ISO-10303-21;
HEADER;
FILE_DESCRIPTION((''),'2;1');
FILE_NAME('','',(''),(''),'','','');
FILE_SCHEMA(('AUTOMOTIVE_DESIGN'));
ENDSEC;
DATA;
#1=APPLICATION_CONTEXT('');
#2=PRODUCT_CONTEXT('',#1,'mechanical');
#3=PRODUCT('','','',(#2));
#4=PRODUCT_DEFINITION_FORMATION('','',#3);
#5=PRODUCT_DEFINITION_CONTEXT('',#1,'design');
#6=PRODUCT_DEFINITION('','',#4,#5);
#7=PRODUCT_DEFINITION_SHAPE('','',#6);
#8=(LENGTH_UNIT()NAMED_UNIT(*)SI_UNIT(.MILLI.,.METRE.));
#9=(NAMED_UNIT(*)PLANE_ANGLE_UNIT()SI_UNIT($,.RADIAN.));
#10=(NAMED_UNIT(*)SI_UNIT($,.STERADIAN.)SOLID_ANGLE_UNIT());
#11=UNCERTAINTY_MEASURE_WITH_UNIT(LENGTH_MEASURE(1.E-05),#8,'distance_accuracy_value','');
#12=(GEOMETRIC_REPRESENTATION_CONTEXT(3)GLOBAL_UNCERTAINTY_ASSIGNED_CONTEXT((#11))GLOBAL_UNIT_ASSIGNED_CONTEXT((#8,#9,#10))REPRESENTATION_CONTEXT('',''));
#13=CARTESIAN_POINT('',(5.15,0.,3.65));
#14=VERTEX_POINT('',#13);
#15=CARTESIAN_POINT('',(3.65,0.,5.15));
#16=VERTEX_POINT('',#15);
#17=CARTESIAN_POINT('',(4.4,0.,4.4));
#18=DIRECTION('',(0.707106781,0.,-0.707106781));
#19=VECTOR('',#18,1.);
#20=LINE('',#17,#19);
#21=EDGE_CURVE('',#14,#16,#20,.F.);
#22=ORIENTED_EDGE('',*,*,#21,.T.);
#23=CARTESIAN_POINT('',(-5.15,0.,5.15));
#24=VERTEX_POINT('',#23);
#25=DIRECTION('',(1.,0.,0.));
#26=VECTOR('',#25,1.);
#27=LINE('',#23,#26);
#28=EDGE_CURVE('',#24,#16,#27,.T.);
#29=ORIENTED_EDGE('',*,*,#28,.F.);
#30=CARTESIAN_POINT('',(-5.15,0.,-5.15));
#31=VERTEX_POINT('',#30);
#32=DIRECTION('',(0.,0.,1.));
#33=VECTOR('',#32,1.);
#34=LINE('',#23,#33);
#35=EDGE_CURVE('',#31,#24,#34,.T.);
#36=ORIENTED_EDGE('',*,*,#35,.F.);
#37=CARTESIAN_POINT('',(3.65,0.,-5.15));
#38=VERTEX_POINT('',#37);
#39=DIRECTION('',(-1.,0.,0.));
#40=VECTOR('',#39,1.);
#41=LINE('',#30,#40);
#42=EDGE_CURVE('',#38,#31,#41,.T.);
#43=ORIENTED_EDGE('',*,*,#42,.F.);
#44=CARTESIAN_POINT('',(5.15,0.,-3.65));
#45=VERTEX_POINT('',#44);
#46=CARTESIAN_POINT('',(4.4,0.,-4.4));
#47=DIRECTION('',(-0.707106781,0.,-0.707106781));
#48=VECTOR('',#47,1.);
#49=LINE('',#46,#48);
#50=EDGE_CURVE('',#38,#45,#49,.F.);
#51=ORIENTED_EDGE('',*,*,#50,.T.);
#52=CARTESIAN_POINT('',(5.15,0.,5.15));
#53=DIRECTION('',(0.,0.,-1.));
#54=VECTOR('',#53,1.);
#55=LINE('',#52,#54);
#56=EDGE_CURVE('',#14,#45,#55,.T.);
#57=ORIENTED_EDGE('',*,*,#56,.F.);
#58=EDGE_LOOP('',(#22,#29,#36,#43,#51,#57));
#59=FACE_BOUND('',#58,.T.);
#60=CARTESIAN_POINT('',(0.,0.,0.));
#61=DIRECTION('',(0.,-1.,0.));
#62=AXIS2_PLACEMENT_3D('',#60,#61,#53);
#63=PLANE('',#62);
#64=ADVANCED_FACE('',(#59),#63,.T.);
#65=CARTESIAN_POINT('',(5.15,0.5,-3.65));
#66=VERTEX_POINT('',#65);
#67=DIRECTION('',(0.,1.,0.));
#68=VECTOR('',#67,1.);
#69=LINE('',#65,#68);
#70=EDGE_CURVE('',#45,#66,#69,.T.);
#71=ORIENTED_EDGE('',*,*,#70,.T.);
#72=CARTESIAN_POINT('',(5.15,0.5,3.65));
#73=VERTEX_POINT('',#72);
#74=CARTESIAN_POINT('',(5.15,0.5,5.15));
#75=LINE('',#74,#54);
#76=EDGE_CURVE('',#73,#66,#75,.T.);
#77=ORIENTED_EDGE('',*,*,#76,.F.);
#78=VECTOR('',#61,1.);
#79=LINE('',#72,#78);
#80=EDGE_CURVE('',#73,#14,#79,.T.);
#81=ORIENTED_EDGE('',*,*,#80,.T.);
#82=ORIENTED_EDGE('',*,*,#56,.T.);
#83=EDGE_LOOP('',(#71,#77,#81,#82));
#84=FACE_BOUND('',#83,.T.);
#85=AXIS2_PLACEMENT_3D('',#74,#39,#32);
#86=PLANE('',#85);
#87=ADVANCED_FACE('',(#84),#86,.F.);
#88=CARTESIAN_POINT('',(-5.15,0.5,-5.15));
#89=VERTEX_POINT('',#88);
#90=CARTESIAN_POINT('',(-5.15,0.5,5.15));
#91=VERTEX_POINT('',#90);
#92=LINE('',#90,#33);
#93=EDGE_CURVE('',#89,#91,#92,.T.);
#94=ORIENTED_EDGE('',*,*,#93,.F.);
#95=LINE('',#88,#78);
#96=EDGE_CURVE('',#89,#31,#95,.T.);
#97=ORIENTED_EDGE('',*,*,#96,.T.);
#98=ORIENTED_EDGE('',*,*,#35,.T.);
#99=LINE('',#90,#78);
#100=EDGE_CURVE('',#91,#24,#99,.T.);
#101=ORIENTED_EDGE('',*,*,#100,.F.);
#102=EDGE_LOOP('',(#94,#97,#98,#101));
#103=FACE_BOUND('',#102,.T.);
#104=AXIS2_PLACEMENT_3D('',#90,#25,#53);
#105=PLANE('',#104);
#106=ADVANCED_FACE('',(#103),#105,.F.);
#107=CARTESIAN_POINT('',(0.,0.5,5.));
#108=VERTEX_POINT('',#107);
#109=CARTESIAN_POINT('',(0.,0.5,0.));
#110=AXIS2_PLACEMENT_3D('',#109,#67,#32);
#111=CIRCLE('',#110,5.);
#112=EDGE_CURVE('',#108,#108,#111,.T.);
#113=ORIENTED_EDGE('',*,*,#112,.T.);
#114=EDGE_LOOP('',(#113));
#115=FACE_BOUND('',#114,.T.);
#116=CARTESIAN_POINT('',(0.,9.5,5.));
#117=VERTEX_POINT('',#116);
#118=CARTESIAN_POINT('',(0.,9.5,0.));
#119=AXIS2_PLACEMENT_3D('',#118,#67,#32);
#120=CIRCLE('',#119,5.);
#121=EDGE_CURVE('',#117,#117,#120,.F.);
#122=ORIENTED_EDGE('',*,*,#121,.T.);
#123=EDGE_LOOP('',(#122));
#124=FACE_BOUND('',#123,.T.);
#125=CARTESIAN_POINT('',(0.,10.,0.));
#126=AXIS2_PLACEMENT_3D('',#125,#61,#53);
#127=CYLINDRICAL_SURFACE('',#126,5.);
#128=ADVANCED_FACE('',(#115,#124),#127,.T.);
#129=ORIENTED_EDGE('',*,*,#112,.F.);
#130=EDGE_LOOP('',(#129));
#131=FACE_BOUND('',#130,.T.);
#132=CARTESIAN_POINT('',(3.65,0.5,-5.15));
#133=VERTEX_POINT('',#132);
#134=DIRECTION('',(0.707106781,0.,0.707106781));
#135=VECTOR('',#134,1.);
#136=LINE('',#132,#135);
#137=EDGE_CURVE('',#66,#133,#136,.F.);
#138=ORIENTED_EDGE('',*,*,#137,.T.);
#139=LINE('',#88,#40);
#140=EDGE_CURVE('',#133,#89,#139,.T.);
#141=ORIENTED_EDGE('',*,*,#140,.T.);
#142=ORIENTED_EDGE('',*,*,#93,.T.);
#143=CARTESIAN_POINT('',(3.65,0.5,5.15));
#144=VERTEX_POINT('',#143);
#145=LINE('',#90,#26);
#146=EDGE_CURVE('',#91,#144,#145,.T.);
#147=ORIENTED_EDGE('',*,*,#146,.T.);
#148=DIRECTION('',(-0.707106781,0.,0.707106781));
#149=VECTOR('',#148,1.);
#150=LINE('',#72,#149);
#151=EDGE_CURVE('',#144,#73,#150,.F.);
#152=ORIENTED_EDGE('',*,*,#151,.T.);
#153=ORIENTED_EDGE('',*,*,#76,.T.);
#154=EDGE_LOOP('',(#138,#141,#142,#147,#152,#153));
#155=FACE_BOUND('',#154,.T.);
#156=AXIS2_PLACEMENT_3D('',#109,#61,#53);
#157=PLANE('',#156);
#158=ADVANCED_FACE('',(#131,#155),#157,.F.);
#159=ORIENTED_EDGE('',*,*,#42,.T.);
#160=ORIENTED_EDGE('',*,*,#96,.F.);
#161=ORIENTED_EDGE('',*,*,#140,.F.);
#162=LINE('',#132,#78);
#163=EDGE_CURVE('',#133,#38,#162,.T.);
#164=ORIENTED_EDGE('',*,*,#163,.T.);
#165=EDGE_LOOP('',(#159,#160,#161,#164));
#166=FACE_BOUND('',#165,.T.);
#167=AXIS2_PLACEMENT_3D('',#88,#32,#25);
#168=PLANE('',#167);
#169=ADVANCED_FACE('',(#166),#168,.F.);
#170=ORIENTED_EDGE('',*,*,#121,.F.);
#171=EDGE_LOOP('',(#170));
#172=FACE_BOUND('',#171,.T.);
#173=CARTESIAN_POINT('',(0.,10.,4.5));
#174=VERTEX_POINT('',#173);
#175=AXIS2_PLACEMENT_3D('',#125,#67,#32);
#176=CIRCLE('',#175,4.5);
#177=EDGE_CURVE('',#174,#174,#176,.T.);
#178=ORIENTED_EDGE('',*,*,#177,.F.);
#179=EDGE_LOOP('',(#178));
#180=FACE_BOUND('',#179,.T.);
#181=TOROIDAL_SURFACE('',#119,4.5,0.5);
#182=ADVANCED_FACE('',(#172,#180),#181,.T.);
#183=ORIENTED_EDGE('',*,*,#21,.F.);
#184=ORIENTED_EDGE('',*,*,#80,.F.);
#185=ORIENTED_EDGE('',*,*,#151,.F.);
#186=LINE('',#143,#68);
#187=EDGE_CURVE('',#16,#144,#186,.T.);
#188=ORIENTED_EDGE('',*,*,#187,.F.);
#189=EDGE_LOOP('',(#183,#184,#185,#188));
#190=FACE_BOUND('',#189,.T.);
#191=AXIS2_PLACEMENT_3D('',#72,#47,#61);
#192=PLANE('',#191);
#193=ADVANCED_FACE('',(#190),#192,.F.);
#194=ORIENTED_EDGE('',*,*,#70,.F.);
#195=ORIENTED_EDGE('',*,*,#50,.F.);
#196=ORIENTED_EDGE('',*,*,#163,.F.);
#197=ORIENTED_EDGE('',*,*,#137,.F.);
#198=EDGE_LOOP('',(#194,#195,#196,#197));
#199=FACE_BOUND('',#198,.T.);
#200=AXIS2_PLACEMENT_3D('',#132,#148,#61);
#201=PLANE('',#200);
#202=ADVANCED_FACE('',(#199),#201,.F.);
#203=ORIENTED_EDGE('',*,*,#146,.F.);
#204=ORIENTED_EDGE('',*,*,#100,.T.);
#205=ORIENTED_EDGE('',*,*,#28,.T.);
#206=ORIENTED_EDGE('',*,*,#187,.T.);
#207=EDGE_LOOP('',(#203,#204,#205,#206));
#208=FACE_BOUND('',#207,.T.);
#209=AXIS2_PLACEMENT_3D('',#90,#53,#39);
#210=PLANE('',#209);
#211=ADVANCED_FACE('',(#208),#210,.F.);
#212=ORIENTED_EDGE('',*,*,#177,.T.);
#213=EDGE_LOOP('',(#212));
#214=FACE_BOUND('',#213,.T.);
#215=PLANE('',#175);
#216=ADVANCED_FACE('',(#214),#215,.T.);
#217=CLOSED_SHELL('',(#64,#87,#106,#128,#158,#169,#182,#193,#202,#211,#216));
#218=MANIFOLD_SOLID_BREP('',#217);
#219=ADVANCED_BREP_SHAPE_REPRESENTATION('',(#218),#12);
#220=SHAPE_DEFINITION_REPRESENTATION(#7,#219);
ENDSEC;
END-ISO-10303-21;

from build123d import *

# Parameters (mm, degrees)
SKETCH1_W           = 10.3
SKETCH1_H           = 10.3
BOSS_EXTRUDE1_DEPTH = 0.5
SKETCH2_R           = 5
BOSS_EXTRUDE2_DEPTH = 9.5
CHAMFER1_SIZE       = 1.5
FILLET1_R           = 0.5


with BuildPart() as part:
    # Sketch1 → Boss-Extrude1 (new body)
    with BuildSketch(Plane(origin=(0, 0, 0), x_dir=(1, 0, 0), z_dir=(0, 1, 0))):
        Rectangle(SKETCH1_W, SKETCH1_H)
    extrude(amount=BOSS_EXTRUDE1_DEPTH)

    # Sketch2 → Boss-Extrude2 (add)
    with BuildSketch(Plane(origin=(0, 0.5, 0), x_dir=(1, 0, 0), z_dir=(0, 1, 0))):
        with Locations(Location((0, 0, 0), (0, 0, 270))):
            Circle(SKETCH2_R)
    extrude(amount=BOSS_EXTRUDE2_DEPTH)

    # Chamfer1
    chamfer1_edges = [part.edges().sort_by_distance(p)[0] for p in [
        (5.15, 0.25, 5.15),
        (5.15, 0.25, -5.15),
    ]]
    chamfer(chamfer1_edges, length=CHAMFER1_SIZE)

    # Fillet1
    fillet1_edges = [part.edges().sort_by_distance(p)[0] for p in [
        (0, 10, -5),
    ]]
    fillet(fillet1_edges, radius=FILLET1_R)


solid = part.part
